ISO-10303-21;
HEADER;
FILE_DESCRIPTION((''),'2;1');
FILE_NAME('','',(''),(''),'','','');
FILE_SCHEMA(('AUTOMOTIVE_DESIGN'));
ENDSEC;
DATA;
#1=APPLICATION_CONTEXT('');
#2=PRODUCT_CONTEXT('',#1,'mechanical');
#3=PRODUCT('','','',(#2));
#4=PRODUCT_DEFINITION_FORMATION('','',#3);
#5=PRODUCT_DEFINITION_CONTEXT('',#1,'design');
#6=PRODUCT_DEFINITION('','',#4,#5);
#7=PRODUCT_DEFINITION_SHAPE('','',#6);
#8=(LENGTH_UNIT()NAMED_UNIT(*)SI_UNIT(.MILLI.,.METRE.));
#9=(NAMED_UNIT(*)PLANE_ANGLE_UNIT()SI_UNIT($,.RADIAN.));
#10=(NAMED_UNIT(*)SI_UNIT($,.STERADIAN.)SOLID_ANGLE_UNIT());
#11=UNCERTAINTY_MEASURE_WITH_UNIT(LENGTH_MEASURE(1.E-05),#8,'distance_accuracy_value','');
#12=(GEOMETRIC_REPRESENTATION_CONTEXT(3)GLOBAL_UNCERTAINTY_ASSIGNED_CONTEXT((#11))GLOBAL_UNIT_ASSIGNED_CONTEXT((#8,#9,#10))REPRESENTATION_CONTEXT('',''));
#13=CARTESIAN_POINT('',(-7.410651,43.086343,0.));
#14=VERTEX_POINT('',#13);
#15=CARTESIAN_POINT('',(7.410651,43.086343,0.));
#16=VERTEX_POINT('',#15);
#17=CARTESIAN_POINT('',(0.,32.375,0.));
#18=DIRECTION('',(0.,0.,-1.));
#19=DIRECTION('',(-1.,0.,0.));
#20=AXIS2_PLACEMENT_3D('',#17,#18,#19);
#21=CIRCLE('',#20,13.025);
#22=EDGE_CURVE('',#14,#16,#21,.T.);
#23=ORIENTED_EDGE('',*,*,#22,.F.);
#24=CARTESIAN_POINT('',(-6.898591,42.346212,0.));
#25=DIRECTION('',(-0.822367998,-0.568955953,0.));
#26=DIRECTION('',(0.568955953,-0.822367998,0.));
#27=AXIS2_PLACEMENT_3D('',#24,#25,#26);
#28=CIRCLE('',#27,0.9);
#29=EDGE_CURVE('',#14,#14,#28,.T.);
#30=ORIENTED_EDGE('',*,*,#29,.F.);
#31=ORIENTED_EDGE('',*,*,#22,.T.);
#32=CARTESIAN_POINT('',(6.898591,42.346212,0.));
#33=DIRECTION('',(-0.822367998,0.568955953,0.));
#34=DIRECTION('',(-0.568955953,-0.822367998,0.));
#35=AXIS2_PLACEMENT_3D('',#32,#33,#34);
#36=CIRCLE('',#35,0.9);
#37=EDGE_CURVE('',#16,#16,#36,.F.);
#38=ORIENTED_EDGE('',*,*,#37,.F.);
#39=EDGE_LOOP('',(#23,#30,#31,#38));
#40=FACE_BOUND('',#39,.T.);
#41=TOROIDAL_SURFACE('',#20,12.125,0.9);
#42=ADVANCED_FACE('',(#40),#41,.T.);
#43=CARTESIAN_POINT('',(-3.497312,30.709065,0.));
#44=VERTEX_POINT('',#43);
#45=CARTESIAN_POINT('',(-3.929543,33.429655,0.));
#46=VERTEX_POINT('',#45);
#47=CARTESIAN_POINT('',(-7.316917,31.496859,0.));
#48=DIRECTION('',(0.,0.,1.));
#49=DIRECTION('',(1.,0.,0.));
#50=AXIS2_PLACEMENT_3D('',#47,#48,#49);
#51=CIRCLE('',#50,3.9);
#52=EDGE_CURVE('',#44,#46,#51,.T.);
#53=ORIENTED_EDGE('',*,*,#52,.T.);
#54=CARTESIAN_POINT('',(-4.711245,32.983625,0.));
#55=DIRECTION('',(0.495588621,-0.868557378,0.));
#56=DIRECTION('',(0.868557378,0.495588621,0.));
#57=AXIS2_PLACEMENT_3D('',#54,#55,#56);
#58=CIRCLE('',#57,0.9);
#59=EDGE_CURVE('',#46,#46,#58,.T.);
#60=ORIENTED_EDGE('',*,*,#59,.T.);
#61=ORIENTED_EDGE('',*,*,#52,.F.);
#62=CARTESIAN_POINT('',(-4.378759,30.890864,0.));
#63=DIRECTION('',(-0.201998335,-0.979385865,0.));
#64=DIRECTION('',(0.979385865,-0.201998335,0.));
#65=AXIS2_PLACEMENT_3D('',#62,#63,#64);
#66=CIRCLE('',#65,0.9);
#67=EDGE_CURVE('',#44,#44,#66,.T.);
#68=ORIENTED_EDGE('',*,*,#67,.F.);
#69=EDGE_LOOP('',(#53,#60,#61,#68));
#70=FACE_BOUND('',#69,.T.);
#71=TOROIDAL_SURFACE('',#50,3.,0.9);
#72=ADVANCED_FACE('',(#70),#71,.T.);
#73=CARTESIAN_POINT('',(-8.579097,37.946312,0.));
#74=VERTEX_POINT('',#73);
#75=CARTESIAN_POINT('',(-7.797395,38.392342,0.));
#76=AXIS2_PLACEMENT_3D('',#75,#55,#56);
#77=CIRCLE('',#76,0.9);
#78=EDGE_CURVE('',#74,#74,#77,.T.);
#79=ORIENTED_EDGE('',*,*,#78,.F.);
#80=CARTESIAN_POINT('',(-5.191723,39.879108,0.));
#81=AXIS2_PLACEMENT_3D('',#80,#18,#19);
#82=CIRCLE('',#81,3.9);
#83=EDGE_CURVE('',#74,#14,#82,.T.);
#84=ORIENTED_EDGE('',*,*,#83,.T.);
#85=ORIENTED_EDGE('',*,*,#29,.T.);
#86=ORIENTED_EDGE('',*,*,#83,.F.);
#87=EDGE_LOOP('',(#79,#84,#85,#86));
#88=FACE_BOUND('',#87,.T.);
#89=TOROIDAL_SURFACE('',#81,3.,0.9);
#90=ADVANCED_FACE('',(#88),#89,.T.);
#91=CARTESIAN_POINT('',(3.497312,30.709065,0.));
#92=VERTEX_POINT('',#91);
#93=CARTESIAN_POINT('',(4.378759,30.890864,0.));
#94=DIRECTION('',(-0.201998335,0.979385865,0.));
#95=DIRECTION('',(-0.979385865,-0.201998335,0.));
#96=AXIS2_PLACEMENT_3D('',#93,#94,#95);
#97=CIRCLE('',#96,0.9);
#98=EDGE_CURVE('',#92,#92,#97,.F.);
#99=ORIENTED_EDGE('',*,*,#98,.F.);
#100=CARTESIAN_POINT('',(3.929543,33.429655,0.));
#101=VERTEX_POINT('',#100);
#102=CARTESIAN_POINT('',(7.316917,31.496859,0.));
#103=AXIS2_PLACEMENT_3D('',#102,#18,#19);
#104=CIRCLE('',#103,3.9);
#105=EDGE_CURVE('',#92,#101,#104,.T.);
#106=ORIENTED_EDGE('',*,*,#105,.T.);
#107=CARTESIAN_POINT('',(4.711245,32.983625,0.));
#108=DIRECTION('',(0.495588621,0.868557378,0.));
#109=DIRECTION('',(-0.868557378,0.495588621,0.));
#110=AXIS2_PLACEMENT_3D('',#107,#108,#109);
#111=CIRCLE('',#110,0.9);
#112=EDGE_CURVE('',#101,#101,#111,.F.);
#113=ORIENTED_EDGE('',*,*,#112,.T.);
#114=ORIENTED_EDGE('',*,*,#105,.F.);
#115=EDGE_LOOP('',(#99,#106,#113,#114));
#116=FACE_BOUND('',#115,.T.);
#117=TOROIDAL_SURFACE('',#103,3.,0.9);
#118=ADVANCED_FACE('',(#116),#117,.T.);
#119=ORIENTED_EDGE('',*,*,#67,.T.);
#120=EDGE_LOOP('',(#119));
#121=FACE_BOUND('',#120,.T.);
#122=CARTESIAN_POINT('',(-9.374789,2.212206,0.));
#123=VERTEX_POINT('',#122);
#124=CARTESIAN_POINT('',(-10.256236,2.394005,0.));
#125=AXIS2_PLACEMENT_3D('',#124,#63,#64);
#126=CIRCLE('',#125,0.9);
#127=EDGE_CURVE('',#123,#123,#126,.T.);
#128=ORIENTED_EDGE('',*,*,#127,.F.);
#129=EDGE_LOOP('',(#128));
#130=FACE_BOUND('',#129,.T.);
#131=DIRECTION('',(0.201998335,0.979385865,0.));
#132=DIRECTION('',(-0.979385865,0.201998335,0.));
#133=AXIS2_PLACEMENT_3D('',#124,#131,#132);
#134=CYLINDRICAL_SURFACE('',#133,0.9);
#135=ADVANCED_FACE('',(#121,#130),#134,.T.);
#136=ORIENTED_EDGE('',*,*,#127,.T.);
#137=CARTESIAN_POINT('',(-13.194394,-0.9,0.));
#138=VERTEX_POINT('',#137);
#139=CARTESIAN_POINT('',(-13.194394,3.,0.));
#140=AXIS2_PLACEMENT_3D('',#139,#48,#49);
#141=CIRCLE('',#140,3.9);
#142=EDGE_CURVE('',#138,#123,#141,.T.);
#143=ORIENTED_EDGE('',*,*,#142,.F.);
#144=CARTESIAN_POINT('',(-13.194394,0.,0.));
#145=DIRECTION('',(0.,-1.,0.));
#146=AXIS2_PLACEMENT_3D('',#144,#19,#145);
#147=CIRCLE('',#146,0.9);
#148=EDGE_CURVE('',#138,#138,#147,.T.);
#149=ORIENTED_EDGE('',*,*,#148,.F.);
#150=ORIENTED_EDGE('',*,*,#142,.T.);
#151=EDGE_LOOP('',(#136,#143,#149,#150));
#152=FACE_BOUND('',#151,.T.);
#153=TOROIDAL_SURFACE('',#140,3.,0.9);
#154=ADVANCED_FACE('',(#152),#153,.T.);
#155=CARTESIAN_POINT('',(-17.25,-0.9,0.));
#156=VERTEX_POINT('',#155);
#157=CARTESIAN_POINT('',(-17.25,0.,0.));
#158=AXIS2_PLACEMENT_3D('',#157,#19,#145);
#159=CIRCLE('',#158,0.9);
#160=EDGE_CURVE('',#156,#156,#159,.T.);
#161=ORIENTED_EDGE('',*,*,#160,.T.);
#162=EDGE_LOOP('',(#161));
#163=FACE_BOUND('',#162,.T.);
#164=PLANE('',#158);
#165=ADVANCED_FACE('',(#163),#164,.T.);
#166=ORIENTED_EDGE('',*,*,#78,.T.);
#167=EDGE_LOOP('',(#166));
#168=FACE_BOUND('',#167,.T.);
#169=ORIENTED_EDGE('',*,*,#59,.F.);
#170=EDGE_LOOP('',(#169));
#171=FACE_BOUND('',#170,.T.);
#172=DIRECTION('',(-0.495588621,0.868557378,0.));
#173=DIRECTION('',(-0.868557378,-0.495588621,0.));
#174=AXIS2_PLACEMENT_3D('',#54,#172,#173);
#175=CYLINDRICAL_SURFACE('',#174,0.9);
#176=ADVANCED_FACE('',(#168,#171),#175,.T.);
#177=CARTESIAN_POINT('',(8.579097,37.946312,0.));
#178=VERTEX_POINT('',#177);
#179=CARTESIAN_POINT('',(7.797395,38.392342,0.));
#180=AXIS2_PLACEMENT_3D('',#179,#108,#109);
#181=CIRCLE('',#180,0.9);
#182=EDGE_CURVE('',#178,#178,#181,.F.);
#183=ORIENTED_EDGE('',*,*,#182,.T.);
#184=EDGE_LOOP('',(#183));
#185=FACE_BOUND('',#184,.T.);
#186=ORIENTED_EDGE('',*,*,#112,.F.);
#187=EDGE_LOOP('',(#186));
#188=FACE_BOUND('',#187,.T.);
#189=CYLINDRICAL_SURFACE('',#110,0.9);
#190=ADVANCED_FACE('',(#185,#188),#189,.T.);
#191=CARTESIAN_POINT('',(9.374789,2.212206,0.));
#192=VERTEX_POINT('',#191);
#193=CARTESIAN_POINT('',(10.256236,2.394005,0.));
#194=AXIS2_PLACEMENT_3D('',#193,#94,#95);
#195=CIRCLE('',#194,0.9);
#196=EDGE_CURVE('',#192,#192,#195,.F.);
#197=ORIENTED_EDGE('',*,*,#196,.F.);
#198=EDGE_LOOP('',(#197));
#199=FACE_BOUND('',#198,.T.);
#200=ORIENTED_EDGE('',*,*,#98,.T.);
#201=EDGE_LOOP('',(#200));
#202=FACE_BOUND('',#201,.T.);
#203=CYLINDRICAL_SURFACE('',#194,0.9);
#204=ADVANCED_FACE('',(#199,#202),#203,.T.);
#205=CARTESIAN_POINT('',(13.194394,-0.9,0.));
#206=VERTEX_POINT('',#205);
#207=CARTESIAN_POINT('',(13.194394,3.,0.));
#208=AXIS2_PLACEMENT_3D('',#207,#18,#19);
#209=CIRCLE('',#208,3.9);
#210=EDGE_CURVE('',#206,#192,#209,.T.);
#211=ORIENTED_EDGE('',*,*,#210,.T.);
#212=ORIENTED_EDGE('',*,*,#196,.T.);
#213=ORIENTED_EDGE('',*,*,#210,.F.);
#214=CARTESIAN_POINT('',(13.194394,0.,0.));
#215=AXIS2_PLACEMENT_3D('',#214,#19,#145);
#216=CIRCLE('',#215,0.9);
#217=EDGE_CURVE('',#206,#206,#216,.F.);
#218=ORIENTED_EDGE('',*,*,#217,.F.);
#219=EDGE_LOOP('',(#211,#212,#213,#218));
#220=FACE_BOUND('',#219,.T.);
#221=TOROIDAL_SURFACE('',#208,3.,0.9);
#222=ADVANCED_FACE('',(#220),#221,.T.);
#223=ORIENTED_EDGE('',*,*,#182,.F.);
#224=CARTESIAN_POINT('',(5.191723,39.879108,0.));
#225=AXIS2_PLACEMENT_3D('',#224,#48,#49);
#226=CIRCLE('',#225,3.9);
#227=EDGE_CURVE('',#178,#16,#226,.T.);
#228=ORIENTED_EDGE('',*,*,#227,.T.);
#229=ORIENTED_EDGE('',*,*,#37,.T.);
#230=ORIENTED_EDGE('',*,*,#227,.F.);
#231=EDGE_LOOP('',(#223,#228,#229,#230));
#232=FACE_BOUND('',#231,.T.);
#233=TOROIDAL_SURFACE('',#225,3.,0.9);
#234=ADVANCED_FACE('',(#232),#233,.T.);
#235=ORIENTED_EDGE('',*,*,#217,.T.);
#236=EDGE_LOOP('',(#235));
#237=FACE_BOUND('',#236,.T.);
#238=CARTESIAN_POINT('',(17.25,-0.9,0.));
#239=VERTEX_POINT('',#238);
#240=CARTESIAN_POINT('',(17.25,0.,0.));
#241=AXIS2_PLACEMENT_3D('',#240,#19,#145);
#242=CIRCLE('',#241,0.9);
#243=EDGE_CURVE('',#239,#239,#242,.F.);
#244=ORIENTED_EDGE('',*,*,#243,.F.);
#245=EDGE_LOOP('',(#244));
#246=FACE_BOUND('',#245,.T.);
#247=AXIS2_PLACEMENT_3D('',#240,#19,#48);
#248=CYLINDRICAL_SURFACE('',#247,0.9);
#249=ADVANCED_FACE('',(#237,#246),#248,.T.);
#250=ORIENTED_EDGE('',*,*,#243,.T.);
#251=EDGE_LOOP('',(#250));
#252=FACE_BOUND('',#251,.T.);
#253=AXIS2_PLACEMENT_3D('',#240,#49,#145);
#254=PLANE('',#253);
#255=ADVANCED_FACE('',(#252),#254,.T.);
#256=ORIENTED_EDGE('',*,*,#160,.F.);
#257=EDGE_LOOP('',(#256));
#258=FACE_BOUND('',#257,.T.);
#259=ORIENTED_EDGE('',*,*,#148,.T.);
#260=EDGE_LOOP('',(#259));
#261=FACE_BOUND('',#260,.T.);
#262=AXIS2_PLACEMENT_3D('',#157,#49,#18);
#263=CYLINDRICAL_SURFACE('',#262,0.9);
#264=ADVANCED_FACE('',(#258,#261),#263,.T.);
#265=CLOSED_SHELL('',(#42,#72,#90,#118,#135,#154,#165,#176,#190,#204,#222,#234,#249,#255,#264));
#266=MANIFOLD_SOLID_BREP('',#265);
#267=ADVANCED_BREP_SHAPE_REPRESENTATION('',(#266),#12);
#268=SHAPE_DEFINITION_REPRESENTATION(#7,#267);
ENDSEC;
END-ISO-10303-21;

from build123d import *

# Parameters (mm, degrees)
SWEEP1_PROFILE_R = 0.9


with BuildPart() as part:
    # Sweep1: sweep along a path in Sketch1
    with BuildLine(Plane.XY) as sweep1_path:
        Line((-17.25, 0), (-13.194394065, 0))
        ThreePointArc((-13.194394065, 0), (-11.299398684, 0.674275918), (-10.25623647, 2.394004996))
        Line((-10.25623647, 2.394004996), (-4.378759304, 30.89086398))
        ThreePointArc((-4.378759304, 30.89086398), (-4.354076366, 31.967577555), (-4.711244766, 32.983624848))
        Line((-4.711244766, 32.983624848), (-7.797395206, 38.392342113))
        ThreePointArc((-7.797395206, 38.392342113), (-8.11709006, 40.544110227), (-6.898590932, 42.34621197))
        ThreePointArc((-6.898590932, 42.34621197), (-3.613494144, 43.949034952), (0, 44.5))
    # Sweep1 profile (on start of the path) → Sweep1 (sweep)
    with BuildSketch(Plane(origin=(-17.25, 0, 0), x_dir=(0, 0, 1), z_dir=(1, 0, 0))):
        Circle(SWEEP1_PROFILE_R)
    sweep1 = sweep(path=sweep1_path.line)

    # Mirror1: Sweep1 across plane
    add(sweep1.mirror(Plane(origin=(0, 0, 0), x_dir=(0, 0, 1), z_dir=(1, 0, 0))))


solid = part.part
